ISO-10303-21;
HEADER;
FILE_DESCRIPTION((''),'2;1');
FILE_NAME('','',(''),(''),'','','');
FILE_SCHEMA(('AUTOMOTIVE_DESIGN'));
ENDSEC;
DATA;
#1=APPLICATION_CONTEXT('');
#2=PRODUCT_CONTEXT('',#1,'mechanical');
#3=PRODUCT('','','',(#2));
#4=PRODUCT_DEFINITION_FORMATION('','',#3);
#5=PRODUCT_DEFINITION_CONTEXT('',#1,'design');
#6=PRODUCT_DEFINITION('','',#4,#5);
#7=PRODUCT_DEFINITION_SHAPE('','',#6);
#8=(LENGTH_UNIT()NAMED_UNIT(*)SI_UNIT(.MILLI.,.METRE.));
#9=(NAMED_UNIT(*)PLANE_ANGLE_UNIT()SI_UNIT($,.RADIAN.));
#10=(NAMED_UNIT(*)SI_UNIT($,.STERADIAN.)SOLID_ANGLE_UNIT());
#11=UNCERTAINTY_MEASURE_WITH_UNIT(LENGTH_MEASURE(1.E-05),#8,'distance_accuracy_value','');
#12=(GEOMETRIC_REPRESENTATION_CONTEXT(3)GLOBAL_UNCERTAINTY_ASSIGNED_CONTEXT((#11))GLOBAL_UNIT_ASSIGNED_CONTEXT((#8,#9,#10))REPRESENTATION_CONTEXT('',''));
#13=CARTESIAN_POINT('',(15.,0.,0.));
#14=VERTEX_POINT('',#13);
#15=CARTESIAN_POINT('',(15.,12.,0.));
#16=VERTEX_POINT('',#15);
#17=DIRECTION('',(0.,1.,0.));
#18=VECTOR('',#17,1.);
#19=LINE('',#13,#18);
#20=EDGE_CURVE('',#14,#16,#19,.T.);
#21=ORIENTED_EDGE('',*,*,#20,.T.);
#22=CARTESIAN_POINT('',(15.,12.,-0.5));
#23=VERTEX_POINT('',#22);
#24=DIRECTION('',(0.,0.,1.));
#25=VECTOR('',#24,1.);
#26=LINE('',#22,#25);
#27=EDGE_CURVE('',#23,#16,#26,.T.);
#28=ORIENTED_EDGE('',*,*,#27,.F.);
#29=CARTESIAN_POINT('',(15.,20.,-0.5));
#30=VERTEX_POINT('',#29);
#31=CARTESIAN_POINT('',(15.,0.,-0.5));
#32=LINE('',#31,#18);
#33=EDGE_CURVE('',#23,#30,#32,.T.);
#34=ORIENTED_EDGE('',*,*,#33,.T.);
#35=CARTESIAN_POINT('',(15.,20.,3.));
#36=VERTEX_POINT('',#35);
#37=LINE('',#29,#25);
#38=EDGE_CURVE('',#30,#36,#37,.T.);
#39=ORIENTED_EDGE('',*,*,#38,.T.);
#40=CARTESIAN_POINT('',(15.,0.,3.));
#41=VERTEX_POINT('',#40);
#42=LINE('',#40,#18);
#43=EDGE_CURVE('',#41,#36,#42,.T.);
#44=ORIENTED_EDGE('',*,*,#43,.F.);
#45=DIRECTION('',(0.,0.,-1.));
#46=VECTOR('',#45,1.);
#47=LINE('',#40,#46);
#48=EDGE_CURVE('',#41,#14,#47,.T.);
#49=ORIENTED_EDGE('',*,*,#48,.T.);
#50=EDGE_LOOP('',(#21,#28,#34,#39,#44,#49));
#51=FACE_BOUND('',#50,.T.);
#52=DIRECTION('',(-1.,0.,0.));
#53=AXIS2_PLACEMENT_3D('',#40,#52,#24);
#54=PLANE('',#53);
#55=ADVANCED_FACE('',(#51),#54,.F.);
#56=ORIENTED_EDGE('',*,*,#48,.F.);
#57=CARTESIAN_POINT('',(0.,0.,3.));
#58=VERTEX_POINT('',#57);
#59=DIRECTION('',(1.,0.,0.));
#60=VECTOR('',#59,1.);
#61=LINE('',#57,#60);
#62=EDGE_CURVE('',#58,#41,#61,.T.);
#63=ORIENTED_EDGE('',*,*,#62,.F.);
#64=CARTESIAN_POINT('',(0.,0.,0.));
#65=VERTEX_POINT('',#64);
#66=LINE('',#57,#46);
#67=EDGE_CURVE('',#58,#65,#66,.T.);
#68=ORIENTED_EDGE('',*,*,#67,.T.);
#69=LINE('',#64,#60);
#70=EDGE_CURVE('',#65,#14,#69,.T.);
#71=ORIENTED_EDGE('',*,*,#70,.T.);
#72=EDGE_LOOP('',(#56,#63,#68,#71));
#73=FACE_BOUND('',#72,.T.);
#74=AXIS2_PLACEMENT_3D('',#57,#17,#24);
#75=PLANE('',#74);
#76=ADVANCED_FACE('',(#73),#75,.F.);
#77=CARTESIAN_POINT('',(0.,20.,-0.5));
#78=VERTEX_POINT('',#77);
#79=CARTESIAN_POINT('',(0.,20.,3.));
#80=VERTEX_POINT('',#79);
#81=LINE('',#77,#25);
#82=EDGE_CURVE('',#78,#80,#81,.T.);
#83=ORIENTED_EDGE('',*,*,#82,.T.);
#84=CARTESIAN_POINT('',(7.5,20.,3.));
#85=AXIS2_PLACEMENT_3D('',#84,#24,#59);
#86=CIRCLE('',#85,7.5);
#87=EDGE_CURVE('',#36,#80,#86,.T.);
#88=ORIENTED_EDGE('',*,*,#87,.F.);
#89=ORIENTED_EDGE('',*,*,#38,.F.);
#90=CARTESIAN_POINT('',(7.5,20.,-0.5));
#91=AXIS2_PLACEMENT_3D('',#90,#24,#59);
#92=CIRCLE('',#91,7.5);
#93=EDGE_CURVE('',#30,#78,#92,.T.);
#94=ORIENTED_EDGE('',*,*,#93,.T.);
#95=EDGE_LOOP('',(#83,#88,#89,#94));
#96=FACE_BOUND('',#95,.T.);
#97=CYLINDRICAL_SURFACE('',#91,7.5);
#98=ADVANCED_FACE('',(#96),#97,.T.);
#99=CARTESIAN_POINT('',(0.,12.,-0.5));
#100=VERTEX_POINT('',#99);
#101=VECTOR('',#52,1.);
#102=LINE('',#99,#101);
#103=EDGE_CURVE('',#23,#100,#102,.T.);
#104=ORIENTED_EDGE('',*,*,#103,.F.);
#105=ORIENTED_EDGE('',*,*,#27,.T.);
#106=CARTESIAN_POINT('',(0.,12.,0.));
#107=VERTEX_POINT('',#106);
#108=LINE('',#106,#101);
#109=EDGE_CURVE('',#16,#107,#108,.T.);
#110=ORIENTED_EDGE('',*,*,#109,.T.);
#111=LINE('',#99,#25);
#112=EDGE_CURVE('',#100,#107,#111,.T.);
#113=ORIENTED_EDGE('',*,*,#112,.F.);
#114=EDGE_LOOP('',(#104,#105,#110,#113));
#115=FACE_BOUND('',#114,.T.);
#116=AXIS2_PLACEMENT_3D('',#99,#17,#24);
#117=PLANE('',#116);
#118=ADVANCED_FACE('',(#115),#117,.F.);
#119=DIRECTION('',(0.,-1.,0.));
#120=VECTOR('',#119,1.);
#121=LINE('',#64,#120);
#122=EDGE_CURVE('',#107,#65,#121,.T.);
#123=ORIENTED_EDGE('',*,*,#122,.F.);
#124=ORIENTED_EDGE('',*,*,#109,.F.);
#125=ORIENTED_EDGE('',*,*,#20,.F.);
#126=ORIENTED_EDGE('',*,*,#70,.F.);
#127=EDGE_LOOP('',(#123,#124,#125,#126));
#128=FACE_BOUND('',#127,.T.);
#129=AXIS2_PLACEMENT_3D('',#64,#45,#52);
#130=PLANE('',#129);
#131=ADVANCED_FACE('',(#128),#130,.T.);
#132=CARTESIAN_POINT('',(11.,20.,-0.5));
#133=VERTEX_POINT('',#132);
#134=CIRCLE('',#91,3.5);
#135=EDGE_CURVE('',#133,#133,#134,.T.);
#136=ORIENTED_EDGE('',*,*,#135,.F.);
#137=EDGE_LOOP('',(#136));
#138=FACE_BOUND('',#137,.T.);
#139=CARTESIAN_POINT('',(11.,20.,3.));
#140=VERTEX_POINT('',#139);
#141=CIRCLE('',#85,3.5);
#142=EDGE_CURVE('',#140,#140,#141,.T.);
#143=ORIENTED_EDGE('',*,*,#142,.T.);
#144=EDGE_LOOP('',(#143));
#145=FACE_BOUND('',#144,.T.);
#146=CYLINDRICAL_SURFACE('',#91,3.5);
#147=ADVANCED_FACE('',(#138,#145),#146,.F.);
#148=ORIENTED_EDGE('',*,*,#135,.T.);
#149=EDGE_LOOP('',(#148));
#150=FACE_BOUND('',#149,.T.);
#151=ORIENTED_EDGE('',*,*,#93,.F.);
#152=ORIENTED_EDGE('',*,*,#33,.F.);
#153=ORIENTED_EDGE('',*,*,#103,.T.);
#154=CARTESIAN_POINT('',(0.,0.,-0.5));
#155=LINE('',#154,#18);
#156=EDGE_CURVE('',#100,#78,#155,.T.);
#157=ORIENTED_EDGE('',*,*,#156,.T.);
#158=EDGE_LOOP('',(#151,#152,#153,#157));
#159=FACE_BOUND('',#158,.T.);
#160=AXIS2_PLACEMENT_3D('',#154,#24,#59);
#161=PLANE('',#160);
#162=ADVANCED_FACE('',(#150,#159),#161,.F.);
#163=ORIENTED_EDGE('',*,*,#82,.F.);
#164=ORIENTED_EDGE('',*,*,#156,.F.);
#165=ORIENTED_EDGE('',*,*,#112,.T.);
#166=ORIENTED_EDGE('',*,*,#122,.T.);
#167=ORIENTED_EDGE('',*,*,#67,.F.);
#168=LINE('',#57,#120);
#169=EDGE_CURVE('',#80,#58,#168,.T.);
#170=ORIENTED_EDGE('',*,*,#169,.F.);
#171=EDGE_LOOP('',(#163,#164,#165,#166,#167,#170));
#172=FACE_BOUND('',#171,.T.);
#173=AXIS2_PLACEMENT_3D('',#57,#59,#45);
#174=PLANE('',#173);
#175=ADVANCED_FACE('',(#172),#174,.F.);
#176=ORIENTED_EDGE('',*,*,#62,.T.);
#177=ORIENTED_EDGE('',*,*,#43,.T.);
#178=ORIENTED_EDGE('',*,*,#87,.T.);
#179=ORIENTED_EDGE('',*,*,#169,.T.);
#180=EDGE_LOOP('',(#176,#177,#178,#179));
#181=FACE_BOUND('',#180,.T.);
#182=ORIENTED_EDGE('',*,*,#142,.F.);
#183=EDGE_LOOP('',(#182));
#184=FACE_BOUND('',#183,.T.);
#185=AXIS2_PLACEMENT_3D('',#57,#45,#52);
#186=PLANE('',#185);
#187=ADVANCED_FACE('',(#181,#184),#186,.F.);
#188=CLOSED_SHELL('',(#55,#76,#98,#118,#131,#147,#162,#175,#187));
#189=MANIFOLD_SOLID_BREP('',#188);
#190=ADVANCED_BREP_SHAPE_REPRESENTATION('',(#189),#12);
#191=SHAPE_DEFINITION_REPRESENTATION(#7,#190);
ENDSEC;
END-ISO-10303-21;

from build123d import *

# Parameters (mm, degrees)
SKETCH1_W           = 15
SKETCH1_H           = 12
BOSS_EXTRUDE1_DEPTH = 3
BOSS_EXTRUDE2_DEPTH = 3.5


with BuildPart() as part:
    # Sketch1 → Boss-Extrude1 (new body)
    with BuildSketch(Plane.XY):
        with Locations((7.5, 6)):
            Rectangle(SKETCH1_W, SKETCH1_H)
    extrude(amount=BOSS_EXTRUDE1_DEPTH)

    # Sketch2 → Boss-Extrude2 (add)
    with BuildSketch(Plane.XY.offset(3)):
        with BuildLine():
            Line((0, 20), (0, 12))
            Line((0, 12), (15, 12))
            Line((15, 12), (15, 20))
            ThreePointArc((15, 20), (7.5, 12.5), (0, 20))
        make_face()
        with BuildLine():
            ThreePointArc((15, 20), (7.5, 27.5), (0, 20))
            Line((0, 20), (4, 20))
            ThreePointArc((4, 20), (7.5, 23.5), (11, 20))
            Line((11, 20), (15, 20))
        make_face()
        with BuildLine():
            Line((4, 20), (0, 20))
            ThreePointArc((0, 20), (7.5, 12.5), (15, 20))
            Line((15, 20), (11, 20))
            ThreePointArc((11, 20), (7.5, 16.5), (4, 20))
        make_face()
    extrude(amount=-BOSS_EXTRUDE2_DEPTH)


solid = part.part
